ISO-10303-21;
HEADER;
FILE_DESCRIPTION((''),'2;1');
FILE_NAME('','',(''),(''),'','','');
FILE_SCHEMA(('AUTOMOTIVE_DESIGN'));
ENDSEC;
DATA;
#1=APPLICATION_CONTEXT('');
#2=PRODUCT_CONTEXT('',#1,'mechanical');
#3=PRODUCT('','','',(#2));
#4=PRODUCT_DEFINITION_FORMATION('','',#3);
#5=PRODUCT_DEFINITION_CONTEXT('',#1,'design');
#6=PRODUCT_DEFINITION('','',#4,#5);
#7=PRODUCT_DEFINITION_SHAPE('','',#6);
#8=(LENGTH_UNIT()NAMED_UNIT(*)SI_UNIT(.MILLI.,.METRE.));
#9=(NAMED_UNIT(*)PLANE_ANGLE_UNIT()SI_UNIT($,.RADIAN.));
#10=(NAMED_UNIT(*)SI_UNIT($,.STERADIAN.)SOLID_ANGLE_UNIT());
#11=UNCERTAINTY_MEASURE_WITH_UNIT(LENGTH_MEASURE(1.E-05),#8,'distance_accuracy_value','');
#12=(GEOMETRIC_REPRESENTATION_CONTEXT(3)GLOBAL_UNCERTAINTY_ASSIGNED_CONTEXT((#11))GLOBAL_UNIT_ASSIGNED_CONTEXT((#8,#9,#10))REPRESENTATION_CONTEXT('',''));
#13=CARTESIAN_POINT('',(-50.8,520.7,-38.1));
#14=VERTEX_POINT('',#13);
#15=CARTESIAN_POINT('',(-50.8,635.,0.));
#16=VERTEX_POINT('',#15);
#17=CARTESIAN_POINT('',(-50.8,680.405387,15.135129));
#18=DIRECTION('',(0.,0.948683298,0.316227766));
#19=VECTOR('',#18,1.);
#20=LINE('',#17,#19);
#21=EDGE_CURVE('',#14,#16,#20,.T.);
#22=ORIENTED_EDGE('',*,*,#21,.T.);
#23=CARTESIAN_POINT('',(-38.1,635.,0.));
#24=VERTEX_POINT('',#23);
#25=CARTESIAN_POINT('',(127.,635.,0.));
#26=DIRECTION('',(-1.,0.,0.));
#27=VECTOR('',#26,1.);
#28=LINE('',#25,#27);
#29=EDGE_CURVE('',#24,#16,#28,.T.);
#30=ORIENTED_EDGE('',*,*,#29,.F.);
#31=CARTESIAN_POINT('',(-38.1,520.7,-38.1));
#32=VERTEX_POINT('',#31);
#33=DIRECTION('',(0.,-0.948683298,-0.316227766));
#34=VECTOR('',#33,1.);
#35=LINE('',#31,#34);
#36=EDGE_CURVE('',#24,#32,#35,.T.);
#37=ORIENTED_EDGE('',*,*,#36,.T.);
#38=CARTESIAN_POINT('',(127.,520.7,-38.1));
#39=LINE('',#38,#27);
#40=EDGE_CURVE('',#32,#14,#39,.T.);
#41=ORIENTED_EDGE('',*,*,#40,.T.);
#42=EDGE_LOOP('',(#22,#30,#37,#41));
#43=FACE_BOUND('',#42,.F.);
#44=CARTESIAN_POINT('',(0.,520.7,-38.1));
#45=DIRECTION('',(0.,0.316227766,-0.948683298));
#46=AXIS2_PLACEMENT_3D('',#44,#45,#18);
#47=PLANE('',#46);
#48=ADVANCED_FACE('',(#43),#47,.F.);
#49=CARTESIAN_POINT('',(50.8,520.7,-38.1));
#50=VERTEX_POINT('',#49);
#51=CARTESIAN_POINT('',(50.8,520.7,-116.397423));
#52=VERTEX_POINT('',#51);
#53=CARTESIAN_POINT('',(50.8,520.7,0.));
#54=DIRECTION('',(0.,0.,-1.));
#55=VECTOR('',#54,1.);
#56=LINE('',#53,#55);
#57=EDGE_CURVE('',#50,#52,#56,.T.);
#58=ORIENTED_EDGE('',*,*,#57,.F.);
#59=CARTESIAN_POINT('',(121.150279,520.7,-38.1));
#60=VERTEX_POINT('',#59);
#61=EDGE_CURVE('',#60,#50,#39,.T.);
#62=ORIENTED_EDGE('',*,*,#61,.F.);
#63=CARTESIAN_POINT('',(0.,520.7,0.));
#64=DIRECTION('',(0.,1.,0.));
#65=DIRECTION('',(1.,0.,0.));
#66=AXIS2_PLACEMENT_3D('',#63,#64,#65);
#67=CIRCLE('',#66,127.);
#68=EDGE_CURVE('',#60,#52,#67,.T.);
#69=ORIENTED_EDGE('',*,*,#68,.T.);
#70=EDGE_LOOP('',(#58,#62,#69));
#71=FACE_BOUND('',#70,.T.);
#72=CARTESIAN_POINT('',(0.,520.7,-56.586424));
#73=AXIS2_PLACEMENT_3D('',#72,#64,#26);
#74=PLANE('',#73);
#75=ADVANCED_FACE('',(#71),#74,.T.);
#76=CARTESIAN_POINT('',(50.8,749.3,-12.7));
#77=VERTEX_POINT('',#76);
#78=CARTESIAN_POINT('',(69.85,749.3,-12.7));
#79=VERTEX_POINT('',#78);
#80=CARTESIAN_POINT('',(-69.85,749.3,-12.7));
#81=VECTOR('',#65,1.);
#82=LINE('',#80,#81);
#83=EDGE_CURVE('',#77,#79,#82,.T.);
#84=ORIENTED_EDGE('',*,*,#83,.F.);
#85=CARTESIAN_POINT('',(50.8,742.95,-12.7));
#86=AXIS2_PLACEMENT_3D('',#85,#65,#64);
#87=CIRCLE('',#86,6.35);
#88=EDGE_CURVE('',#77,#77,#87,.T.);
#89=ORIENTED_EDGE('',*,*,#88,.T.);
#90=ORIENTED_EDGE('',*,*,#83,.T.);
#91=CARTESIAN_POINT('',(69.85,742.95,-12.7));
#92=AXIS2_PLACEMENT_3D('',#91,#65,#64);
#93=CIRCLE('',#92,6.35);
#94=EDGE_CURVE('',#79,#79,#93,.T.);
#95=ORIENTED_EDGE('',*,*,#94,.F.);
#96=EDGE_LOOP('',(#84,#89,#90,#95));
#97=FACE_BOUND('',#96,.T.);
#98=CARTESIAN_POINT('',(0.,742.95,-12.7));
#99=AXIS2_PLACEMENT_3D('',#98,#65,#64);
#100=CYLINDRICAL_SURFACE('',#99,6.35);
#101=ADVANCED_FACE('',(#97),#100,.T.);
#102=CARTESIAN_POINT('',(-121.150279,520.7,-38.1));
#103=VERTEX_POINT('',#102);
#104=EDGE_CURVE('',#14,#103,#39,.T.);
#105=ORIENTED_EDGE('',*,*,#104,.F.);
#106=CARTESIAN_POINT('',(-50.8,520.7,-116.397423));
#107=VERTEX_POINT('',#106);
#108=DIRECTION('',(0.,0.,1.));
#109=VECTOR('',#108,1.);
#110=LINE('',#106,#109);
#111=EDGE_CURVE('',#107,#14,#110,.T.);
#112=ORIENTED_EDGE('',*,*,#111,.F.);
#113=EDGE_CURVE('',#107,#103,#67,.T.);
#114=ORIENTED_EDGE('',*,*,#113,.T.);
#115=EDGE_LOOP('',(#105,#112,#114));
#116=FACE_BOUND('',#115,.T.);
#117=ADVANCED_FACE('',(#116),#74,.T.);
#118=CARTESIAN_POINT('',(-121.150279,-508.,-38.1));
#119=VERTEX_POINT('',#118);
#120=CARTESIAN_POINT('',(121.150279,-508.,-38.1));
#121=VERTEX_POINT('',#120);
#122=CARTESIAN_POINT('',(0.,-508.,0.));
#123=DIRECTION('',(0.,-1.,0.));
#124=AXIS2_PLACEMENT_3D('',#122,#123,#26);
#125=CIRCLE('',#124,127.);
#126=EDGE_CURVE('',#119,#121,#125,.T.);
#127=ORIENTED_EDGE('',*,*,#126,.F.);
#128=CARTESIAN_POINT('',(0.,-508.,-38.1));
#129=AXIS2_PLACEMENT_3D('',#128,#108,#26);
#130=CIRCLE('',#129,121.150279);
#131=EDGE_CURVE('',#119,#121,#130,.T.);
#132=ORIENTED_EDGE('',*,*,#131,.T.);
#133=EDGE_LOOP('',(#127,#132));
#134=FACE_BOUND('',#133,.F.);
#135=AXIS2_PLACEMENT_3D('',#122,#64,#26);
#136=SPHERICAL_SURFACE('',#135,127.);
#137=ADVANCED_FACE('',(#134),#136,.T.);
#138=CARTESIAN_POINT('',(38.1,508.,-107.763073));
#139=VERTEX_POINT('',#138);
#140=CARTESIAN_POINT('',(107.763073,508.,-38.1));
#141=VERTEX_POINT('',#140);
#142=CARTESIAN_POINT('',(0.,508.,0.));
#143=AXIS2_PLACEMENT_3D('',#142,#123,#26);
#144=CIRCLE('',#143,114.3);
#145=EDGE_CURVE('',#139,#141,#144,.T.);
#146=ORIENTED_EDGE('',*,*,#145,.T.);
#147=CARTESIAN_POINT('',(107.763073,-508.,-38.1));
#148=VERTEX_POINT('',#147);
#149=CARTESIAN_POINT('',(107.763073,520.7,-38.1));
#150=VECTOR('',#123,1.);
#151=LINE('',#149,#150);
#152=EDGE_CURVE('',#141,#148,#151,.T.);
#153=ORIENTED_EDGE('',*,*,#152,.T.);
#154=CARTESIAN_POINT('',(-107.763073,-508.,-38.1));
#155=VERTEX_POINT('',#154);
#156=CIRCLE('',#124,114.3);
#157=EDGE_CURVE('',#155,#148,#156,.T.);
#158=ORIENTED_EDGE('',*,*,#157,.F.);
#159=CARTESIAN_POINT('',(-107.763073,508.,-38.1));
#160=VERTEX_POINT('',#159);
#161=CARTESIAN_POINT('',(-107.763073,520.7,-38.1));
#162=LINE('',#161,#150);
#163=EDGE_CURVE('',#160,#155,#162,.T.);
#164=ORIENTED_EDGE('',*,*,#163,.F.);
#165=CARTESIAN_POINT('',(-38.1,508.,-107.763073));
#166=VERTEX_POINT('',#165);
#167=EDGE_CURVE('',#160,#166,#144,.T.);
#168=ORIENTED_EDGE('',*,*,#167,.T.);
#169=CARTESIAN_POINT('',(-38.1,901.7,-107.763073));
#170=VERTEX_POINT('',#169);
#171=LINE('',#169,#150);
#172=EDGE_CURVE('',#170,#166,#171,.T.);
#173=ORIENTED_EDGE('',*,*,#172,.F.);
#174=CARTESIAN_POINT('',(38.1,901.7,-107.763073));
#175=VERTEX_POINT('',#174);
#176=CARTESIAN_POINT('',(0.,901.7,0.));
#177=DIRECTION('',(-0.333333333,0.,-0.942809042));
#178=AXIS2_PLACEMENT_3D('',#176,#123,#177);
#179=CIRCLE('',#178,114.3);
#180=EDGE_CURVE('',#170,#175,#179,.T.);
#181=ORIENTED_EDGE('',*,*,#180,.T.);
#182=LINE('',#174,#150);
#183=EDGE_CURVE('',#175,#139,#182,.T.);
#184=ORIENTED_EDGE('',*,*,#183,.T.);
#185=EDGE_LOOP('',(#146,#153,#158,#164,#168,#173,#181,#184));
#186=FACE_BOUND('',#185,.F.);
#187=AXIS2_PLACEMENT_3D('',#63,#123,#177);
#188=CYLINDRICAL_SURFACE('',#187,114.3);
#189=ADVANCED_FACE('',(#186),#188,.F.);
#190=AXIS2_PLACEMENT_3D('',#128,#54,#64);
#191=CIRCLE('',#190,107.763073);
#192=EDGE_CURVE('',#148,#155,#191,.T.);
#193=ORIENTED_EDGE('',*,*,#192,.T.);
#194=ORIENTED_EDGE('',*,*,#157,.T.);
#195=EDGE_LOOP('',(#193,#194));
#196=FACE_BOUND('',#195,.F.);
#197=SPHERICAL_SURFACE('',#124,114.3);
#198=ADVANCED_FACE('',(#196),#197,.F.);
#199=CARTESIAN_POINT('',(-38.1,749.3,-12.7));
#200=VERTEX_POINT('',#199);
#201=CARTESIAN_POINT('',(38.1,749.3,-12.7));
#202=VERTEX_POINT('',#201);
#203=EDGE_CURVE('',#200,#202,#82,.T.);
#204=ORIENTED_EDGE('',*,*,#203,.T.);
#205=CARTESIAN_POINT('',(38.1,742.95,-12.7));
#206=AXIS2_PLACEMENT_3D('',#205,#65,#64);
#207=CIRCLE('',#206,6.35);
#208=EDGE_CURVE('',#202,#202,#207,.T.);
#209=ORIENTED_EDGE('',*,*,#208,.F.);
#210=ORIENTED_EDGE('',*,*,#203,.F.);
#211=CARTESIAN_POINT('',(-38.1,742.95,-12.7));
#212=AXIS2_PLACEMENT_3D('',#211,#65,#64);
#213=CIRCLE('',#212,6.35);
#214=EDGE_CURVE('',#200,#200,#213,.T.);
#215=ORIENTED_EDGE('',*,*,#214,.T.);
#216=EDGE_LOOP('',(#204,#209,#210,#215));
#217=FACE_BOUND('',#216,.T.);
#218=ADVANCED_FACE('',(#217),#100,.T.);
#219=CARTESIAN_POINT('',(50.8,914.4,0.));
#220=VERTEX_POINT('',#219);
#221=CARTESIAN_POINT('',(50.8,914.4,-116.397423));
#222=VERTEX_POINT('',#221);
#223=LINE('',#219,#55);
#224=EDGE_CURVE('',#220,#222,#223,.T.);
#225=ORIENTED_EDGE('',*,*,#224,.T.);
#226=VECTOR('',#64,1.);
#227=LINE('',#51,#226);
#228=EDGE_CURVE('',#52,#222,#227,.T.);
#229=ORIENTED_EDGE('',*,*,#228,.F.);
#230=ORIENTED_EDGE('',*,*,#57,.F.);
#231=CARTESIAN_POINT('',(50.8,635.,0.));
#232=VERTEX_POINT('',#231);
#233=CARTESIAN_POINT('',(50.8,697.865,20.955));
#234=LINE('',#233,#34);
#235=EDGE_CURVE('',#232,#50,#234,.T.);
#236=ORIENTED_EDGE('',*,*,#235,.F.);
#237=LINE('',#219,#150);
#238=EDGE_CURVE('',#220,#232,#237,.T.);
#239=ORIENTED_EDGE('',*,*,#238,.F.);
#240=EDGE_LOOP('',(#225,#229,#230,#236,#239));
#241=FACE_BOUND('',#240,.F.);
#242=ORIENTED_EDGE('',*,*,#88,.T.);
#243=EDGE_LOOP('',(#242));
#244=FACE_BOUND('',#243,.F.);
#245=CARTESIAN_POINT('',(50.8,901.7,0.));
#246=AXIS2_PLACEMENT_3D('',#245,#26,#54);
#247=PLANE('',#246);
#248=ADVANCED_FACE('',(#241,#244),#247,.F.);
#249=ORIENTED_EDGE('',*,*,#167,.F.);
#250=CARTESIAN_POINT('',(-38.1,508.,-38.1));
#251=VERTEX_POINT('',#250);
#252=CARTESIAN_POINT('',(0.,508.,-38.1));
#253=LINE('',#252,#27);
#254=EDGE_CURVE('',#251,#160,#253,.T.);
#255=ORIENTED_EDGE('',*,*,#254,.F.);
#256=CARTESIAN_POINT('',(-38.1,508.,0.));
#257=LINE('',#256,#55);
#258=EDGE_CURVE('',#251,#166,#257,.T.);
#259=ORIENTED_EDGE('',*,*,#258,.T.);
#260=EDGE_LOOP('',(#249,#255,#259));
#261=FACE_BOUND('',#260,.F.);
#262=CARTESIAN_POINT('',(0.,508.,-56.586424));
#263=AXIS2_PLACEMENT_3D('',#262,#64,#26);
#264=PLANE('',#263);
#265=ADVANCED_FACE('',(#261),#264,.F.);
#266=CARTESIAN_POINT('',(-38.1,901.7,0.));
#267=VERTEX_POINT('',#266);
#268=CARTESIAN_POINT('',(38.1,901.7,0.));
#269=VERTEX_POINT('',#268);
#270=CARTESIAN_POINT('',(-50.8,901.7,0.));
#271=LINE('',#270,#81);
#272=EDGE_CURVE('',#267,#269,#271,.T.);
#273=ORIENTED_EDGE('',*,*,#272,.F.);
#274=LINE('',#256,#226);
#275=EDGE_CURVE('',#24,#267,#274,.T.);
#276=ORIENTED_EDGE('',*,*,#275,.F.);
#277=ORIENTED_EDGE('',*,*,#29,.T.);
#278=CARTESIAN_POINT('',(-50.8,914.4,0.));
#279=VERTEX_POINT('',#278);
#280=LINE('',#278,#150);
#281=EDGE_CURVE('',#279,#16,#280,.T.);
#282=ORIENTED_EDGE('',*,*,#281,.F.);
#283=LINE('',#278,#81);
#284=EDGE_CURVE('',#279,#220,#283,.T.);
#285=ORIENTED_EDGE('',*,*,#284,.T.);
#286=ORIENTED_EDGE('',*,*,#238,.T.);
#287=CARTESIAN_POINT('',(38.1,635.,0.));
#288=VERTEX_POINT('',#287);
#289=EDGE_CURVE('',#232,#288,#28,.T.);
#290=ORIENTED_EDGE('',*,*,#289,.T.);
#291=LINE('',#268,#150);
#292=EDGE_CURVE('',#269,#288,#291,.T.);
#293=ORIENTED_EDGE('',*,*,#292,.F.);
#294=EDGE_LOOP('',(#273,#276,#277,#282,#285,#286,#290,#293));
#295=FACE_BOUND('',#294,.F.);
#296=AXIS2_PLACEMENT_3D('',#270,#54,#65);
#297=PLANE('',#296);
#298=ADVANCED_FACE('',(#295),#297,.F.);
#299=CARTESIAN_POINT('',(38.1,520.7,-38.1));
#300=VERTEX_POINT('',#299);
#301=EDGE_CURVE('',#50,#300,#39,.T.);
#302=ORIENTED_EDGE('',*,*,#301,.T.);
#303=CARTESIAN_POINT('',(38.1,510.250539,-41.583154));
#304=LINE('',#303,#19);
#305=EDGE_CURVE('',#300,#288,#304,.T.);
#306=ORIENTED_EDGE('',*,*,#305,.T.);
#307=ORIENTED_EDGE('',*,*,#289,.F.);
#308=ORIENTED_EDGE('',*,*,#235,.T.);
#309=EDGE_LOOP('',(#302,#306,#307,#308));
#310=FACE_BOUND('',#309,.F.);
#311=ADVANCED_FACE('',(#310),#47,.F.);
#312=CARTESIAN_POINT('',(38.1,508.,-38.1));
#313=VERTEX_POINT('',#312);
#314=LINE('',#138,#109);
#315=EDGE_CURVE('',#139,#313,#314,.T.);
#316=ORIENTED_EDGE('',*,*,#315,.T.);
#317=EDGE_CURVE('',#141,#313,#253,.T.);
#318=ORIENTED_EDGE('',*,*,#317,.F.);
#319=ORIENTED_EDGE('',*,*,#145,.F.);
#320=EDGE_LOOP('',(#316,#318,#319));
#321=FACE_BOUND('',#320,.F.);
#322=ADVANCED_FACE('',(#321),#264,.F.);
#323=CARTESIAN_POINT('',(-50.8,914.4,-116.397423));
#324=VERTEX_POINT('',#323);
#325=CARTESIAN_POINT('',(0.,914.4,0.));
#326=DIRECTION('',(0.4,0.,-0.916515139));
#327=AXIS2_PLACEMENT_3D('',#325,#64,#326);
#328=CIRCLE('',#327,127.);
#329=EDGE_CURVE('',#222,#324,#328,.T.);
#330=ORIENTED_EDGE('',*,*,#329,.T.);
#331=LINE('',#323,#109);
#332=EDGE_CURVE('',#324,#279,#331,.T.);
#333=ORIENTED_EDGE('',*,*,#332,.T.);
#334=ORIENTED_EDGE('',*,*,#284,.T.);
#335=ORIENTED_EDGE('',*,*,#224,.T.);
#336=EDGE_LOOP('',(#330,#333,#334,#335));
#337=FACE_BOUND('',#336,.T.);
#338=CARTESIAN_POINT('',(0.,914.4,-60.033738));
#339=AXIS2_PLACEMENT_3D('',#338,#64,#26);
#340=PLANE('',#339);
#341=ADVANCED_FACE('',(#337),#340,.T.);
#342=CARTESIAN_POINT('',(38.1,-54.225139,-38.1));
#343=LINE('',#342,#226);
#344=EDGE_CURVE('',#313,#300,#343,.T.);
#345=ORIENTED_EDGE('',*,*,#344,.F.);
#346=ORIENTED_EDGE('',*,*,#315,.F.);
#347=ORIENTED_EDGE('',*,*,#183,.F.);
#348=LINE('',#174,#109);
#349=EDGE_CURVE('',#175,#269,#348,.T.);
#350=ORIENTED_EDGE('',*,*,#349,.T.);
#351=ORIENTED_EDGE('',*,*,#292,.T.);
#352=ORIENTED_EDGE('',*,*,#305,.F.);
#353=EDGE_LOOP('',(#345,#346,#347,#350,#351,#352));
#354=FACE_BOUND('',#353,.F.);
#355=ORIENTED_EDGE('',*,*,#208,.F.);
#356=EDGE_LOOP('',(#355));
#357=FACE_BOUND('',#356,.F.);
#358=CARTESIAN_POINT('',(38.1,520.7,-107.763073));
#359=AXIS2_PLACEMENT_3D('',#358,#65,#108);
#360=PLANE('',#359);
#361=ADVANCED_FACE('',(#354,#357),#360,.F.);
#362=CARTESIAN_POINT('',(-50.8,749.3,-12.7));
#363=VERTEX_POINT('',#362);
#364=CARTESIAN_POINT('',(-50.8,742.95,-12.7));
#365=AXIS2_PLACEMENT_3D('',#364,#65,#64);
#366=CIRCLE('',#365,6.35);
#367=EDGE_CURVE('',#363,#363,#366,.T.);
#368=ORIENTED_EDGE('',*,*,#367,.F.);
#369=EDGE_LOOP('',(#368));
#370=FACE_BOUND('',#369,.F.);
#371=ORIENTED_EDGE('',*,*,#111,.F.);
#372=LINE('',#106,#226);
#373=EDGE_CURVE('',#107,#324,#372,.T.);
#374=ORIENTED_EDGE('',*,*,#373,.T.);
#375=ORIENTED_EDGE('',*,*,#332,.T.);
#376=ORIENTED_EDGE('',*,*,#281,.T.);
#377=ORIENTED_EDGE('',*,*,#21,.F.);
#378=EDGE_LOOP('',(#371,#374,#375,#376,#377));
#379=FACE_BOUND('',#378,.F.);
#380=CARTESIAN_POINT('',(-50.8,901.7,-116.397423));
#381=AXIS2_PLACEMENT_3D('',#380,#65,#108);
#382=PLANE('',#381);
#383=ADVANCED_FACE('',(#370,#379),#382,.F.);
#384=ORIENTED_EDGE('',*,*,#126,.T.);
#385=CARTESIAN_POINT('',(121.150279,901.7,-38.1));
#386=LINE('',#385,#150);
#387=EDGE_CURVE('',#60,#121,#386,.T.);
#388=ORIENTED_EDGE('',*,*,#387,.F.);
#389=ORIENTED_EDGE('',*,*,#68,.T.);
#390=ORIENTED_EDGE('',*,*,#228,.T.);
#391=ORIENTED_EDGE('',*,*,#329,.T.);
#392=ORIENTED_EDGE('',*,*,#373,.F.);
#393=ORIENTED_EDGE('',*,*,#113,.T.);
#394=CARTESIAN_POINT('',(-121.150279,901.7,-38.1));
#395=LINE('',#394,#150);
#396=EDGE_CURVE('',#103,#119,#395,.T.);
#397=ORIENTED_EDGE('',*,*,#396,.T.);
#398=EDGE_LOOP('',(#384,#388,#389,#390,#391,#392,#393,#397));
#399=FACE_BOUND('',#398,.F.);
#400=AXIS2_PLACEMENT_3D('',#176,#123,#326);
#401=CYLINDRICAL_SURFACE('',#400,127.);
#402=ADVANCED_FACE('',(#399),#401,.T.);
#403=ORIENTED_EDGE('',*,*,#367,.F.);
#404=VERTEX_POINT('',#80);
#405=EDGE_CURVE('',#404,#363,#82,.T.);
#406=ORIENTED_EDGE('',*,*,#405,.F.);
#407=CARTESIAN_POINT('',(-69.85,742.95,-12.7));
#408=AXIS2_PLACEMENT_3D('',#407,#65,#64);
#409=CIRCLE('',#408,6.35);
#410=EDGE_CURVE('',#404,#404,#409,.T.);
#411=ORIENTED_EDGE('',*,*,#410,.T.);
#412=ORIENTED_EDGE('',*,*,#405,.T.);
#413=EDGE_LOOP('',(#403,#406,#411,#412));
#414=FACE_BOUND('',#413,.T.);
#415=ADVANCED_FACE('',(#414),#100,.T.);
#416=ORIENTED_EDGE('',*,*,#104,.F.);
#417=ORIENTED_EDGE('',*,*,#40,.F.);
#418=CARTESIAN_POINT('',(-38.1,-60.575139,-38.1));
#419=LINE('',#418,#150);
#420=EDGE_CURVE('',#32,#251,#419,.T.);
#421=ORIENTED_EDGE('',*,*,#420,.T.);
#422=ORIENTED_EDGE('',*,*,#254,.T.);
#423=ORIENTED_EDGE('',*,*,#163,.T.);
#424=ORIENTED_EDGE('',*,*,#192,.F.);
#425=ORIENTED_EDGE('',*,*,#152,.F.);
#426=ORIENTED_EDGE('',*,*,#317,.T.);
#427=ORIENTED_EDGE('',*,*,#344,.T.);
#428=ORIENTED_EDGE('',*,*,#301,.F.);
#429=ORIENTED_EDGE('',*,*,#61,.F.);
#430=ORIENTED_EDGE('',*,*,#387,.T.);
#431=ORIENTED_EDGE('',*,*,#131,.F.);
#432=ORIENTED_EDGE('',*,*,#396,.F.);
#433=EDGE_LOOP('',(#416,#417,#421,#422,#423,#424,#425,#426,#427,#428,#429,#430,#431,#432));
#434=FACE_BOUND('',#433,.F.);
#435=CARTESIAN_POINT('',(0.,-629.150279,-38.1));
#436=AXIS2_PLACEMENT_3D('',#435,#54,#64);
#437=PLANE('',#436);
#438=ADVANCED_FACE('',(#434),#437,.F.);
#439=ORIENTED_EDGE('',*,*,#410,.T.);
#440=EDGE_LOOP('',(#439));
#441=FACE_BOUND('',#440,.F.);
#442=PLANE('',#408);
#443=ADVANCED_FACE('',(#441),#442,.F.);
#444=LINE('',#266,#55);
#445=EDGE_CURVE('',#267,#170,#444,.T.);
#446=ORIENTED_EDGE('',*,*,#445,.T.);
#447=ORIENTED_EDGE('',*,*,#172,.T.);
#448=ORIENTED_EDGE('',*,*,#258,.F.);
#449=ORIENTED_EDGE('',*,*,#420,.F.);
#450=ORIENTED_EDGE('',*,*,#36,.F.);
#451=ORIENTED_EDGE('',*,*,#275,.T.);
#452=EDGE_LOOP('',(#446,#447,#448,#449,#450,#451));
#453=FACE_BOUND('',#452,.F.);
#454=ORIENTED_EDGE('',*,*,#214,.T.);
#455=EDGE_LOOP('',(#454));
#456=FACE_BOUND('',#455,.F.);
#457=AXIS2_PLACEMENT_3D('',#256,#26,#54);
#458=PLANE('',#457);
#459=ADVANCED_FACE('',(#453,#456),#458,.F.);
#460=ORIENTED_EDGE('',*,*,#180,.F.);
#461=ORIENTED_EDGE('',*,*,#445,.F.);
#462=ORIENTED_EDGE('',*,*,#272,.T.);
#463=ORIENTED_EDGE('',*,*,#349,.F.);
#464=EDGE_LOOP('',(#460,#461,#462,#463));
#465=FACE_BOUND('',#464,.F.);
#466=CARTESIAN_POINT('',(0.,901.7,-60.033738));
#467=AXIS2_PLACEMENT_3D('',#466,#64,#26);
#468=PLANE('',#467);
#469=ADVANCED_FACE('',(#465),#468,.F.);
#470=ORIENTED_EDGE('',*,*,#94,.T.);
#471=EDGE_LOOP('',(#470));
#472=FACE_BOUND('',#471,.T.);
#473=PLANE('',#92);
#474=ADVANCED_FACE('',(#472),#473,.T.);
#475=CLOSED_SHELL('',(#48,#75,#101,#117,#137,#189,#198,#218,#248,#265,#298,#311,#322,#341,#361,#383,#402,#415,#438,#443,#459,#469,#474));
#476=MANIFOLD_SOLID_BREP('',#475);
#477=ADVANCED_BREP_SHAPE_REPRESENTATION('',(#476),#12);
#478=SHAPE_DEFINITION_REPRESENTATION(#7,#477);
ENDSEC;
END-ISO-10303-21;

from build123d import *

# Parameters (mm, degrees)
F1_ANGLE_BACK = 90
F1_ANGLE      = 180
F3_DEPTH      = 1016
F5_DEPTH      = 12.7
F7_DEPTH      = 381
F9_DEPTH      = 12.7
F11_DEPTH     = 127
F12_R         = 6.35
F13_DEPTH     = 69.85


with BuildPart() as f1:
    # F0 (on Right) → F1 (revolve)
    with BuildSketch(Plane.YZ, mode=Mode.PRIVATE) as f1_sk:
        with BuildLine():
            Line((-622.3, 0), (-635, 0))
            ThreePointArc((-635, 0), (-597.8025612107, -89.8025612107), (-508, -127))
            Line((-508, -127), (-508, -114.3))
            ThreePointArc((-508, -114.3), (-588.8223050896, -80.8223050896), (-622.3, 0))
        make_face()
    revolve(f1_sk.sketch.rotate(Axis((0, -628.65, 0), (0, -1, 0)), -F1_ANGLE_BACK), axis=Axis((0, -628.65, 0), (0, -1, 0)), revolution_arc=F1_ANGLE)

    # F2 (on face) → F3 (join)
    with BuildSketch(Plane(origin=(0, -508, 0), x_dir=(-1, 0, 0), z_dir=(0, 1, 0))):
        with BuildLine():
            Line((-114.3, 0), (-127, 0))
            ThreePointArc((-127, 0), (0, -127), (127, 0))
            Line((127, 0), (114.3, 0))
            ThreePointArc((114.3, 0), (0, -114.3), (-114.3, 0))
        make_face()
    extrude(amount=F3_DEPTH)

    # F4 (on face) → F5 (join)
    with BuildSketch(Plane(origin=(0, 508, 0), x_dir=(-1, 0, 0), z_dir=(0, 1, 0))):
        with BuildLine():
            Line((-38.1, 0), (-127, 0))
            ThreePointArc((-127, 0), (0, -127), (127, 0))
            Line((127, 0), (38.1, 0))
            Line((38.1, 0), (38.1, -107.7630734528))
            ThreePointArc((38.1, -107.7630734528), (0, -114.3), (-38.1, -107.7630734528))
            Line((-38.1, -107.7630734528), (-38.1, 0))
        make_face()
    extrude(amount=F5_DEPTH)

    # F6 (on face) → F7 (join)
    with BuildSketch(Plane(origin=(0, 520.7, 0), x_dir=(-1, 0, 0), z_dir=(0, 1, 0))):
        with BuildLine():
            Line((-38.1, 0), (-50.8, 0))
            Line((-50.8, 0), (-50.8, -116.3974226519))
            ThreePointArc((-50.8, -116.3974226519), (0, -127), (50.8, -116.3974226519))
            Line((50.8, -116.3974226519), (50.8, 0))
            Line((50.8, 0), (38.1, 0))
            Line((38.1, 0), (38.1, -107.7630734528))
            ThreePointArc((38.1, -107.7630734528), (0, -114.3), (-38.1, -107.7630734528))
            Line((-38.1, -107.7630734528), (-38.1, 0))
        make_face()
    extrude(amount=F7_DEPTH)

    # F8 (on face) → F9 (join)
    with BuildSketch(Plane(origin=(0, 901.7, 0), x_dir=(-1, 0, 0), z_dir=(0, 1, 0))):
        with BuildLine():
            Line((-50.8, 0), (-50.8, -116.3974226519))
            ThreePointArc((-50.8, -116.3974226519), (0, -127), (50.8, -116.3974226519))
            Line((50.8, -116.3974226519), (50.8, 0))
            Line((50.8, 0), (-50.8, 0))
        make_face()
    extrude(amount=F9_DEPTH)

    # F10 (on Right) → F11 (cut, symmetric)
    with BuildSketch(Plane.YZ):
        with BuildLine():
            Line((635, 0), (-635, 0))
            ThreePointArc((-635, 0), (-633.5290511787, -19.2732278089), (-629.15027858, -38.1))
            Line((-629.15027858, -38.1), (520.7, -38.1))
            Line((520.7, -38.1), (635, 0))
        make_face()
    extrude(amount=F11_DEPTH, both=True, mode=Mode.SUBTRACT)

    # F12 (on Right) → F13 (join, symmetric)
    with BuildSketch(Plane.YZ):
        with Locations((742.95, -12.7)):
            Circle(F12_R)
    extrude(amount=F13_DEPTH, both=True)


solid = f1.part
